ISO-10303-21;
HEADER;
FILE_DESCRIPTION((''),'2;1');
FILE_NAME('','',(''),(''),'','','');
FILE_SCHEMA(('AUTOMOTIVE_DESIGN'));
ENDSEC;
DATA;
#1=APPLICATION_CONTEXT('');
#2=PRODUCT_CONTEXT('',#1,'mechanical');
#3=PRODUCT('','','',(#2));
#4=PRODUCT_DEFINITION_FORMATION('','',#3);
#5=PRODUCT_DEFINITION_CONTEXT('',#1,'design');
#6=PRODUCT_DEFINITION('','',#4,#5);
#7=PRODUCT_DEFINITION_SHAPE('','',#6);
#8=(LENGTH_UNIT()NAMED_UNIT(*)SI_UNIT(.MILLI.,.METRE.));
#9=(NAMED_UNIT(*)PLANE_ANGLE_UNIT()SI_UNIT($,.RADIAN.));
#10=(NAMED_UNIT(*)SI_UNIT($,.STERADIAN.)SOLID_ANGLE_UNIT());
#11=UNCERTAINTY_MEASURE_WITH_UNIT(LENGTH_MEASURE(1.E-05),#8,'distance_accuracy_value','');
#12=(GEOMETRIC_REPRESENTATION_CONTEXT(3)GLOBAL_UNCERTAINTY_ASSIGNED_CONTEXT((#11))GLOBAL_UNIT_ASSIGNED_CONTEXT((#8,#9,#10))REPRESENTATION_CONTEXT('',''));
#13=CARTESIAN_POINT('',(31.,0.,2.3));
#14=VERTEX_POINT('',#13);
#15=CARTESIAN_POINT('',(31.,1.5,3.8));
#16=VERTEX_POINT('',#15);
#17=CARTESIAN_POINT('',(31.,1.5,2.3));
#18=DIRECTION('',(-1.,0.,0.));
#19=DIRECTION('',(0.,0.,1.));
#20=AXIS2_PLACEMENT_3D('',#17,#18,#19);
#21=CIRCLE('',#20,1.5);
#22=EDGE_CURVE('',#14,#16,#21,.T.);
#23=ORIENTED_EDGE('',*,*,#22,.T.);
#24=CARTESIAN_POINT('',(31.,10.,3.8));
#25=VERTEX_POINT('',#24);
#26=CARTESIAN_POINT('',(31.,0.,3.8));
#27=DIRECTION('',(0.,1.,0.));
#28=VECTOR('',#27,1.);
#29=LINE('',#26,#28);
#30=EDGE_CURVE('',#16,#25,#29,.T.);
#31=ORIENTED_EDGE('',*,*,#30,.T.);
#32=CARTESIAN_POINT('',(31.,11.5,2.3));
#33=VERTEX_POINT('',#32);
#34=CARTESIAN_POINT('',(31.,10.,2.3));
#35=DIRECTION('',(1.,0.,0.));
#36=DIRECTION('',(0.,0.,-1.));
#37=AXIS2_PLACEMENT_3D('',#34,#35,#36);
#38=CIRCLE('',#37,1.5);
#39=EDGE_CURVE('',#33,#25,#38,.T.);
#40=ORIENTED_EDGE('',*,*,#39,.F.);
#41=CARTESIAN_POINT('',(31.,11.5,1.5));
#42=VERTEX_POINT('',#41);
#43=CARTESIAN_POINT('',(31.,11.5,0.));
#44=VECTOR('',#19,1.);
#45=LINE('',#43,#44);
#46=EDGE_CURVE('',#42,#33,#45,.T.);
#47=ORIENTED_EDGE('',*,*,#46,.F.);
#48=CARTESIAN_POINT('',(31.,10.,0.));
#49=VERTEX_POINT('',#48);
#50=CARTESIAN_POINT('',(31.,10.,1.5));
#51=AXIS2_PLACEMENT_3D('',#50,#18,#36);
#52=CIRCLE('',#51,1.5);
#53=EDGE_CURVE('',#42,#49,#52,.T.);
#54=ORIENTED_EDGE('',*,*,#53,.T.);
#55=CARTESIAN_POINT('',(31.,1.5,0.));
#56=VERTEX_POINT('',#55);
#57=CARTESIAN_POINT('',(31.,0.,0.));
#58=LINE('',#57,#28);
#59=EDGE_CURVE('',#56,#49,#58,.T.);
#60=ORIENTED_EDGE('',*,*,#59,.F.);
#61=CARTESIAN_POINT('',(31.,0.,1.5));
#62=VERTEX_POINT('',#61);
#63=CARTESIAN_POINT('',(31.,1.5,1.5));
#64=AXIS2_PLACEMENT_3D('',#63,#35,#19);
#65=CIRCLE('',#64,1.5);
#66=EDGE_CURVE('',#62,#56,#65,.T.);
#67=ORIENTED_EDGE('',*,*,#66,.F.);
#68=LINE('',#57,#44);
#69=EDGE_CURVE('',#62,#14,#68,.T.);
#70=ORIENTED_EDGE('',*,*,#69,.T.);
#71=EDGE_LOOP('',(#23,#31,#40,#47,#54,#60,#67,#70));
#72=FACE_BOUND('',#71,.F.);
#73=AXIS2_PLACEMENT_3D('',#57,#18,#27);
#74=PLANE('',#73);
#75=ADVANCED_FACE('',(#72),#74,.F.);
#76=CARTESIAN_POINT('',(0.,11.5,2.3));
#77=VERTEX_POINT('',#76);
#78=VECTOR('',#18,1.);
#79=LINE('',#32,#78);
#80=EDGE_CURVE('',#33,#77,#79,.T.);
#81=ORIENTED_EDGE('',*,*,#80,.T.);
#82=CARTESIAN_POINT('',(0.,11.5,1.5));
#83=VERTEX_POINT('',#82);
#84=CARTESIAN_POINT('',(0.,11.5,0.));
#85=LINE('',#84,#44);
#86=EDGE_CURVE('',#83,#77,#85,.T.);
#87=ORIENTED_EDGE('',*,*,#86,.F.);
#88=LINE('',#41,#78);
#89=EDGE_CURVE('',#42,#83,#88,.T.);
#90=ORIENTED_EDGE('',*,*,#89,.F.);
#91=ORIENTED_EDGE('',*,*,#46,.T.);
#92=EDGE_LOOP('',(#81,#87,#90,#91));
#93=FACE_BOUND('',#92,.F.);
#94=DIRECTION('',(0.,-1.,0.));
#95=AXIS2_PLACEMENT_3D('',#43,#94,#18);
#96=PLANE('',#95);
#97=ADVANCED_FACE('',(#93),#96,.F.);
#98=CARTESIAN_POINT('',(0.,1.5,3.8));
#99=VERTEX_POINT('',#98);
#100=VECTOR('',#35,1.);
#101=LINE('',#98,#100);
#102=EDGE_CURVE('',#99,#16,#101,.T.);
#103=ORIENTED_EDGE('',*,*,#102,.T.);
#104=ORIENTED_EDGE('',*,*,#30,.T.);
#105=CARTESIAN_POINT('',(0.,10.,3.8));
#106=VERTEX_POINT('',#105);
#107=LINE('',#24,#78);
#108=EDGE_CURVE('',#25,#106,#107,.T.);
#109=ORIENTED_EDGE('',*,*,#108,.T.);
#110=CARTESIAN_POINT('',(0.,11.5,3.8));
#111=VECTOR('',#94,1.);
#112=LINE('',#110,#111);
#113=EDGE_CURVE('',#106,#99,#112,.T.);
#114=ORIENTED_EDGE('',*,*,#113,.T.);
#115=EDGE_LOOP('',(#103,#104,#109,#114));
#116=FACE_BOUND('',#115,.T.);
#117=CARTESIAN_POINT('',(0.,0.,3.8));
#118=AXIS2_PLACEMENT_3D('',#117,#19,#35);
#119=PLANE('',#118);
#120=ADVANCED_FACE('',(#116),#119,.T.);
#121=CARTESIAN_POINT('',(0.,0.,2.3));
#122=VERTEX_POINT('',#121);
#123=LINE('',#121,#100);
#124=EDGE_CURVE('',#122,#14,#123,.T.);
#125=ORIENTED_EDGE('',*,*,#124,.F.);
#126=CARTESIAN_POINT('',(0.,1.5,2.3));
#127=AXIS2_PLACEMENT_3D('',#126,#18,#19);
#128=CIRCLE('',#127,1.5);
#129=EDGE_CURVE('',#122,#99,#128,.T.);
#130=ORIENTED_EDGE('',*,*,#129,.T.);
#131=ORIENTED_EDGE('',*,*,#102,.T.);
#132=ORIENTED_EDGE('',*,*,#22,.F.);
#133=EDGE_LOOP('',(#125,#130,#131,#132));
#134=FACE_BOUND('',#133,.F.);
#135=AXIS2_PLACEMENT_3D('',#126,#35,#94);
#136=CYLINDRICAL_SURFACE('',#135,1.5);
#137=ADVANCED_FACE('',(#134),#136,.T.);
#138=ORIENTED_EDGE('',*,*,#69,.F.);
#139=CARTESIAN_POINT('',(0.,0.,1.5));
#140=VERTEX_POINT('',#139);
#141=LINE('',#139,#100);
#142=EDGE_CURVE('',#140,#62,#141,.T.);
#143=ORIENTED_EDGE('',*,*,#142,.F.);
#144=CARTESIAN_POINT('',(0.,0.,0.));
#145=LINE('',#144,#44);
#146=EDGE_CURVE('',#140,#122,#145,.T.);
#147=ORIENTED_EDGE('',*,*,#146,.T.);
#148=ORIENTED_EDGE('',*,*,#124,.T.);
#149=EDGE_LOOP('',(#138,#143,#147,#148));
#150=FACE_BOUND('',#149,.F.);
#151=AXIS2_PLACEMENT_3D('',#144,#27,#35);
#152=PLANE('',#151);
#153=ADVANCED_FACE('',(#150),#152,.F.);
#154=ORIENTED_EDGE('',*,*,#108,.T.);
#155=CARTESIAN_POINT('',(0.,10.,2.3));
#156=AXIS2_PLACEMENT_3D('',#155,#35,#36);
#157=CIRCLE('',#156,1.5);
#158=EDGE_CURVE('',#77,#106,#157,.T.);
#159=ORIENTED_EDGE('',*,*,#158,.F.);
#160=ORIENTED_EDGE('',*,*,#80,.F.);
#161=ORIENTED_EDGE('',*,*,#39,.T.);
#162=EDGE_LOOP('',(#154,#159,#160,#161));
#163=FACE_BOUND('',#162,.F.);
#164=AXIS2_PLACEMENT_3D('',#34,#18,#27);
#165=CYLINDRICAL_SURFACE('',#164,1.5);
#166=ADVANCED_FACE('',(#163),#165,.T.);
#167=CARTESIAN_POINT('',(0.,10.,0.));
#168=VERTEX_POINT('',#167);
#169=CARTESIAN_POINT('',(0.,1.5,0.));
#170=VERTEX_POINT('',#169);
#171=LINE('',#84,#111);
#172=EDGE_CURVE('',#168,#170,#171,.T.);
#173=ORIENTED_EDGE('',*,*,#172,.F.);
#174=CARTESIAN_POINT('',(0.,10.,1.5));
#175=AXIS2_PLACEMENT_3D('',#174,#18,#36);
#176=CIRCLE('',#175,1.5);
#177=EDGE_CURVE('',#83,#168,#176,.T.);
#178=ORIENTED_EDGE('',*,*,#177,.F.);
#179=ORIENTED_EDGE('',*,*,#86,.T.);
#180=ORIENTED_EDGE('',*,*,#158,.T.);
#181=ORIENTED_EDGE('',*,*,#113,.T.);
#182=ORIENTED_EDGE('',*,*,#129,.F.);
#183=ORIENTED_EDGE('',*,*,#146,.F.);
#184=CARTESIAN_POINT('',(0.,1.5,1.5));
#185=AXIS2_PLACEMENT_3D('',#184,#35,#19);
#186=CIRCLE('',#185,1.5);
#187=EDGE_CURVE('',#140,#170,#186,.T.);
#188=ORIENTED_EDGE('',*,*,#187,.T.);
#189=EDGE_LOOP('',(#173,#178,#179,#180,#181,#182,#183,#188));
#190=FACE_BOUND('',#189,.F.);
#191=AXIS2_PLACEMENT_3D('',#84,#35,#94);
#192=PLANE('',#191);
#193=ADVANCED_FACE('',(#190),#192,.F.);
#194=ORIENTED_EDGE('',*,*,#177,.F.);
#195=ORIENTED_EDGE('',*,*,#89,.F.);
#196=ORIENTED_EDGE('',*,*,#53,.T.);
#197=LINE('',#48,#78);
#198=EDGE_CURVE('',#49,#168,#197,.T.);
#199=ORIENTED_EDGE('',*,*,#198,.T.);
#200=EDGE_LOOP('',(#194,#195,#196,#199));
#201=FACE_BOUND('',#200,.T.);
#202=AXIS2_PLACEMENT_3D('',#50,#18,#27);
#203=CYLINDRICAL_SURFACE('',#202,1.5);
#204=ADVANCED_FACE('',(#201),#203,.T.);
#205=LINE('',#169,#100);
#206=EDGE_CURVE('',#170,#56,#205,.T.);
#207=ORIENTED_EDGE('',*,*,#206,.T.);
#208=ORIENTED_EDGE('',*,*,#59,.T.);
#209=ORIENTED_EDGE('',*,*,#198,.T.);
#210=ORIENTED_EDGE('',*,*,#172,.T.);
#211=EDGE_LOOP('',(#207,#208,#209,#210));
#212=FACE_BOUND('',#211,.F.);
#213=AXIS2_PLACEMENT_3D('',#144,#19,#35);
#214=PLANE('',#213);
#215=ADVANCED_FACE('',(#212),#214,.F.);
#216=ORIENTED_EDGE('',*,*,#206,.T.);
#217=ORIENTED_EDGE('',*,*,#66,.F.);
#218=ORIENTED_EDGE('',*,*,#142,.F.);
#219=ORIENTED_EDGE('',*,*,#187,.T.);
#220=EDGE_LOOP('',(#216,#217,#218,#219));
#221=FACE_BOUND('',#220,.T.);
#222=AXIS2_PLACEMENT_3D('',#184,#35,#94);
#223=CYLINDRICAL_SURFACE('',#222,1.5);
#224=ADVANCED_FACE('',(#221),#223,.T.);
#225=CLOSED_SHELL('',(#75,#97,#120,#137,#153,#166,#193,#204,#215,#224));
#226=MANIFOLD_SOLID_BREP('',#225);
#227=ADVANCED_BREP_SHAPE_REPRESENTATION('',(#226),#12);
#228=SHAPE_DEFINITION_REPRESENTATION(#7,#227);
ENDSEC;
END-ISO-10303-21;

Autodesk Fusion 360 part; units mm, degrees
sketch "Sketch1" plane through (0, 0, 0) normal (0, 0, 1) x (1, 0, 0)
  line L0 (0, 0) -> (31, 0)
  line L1 (31, 0) -> (31, 11.5)
  line L2 (31, 11.5) -> (0, 11.5)
  line L3 (0, 11.5) -> (0, 0)
  dimension "d1" = 31
  dimension "d2" = 11.5
extrude "Extrude1" add sketch "Sketch1" along normal blind 3.8
fillet "Fillet1" radius 1.5 4 edges at (15.5, 0, 3.8) (15.5, 0, 0) (15.5, 11.5, 3.8) (15.5, 11.5, 0)
